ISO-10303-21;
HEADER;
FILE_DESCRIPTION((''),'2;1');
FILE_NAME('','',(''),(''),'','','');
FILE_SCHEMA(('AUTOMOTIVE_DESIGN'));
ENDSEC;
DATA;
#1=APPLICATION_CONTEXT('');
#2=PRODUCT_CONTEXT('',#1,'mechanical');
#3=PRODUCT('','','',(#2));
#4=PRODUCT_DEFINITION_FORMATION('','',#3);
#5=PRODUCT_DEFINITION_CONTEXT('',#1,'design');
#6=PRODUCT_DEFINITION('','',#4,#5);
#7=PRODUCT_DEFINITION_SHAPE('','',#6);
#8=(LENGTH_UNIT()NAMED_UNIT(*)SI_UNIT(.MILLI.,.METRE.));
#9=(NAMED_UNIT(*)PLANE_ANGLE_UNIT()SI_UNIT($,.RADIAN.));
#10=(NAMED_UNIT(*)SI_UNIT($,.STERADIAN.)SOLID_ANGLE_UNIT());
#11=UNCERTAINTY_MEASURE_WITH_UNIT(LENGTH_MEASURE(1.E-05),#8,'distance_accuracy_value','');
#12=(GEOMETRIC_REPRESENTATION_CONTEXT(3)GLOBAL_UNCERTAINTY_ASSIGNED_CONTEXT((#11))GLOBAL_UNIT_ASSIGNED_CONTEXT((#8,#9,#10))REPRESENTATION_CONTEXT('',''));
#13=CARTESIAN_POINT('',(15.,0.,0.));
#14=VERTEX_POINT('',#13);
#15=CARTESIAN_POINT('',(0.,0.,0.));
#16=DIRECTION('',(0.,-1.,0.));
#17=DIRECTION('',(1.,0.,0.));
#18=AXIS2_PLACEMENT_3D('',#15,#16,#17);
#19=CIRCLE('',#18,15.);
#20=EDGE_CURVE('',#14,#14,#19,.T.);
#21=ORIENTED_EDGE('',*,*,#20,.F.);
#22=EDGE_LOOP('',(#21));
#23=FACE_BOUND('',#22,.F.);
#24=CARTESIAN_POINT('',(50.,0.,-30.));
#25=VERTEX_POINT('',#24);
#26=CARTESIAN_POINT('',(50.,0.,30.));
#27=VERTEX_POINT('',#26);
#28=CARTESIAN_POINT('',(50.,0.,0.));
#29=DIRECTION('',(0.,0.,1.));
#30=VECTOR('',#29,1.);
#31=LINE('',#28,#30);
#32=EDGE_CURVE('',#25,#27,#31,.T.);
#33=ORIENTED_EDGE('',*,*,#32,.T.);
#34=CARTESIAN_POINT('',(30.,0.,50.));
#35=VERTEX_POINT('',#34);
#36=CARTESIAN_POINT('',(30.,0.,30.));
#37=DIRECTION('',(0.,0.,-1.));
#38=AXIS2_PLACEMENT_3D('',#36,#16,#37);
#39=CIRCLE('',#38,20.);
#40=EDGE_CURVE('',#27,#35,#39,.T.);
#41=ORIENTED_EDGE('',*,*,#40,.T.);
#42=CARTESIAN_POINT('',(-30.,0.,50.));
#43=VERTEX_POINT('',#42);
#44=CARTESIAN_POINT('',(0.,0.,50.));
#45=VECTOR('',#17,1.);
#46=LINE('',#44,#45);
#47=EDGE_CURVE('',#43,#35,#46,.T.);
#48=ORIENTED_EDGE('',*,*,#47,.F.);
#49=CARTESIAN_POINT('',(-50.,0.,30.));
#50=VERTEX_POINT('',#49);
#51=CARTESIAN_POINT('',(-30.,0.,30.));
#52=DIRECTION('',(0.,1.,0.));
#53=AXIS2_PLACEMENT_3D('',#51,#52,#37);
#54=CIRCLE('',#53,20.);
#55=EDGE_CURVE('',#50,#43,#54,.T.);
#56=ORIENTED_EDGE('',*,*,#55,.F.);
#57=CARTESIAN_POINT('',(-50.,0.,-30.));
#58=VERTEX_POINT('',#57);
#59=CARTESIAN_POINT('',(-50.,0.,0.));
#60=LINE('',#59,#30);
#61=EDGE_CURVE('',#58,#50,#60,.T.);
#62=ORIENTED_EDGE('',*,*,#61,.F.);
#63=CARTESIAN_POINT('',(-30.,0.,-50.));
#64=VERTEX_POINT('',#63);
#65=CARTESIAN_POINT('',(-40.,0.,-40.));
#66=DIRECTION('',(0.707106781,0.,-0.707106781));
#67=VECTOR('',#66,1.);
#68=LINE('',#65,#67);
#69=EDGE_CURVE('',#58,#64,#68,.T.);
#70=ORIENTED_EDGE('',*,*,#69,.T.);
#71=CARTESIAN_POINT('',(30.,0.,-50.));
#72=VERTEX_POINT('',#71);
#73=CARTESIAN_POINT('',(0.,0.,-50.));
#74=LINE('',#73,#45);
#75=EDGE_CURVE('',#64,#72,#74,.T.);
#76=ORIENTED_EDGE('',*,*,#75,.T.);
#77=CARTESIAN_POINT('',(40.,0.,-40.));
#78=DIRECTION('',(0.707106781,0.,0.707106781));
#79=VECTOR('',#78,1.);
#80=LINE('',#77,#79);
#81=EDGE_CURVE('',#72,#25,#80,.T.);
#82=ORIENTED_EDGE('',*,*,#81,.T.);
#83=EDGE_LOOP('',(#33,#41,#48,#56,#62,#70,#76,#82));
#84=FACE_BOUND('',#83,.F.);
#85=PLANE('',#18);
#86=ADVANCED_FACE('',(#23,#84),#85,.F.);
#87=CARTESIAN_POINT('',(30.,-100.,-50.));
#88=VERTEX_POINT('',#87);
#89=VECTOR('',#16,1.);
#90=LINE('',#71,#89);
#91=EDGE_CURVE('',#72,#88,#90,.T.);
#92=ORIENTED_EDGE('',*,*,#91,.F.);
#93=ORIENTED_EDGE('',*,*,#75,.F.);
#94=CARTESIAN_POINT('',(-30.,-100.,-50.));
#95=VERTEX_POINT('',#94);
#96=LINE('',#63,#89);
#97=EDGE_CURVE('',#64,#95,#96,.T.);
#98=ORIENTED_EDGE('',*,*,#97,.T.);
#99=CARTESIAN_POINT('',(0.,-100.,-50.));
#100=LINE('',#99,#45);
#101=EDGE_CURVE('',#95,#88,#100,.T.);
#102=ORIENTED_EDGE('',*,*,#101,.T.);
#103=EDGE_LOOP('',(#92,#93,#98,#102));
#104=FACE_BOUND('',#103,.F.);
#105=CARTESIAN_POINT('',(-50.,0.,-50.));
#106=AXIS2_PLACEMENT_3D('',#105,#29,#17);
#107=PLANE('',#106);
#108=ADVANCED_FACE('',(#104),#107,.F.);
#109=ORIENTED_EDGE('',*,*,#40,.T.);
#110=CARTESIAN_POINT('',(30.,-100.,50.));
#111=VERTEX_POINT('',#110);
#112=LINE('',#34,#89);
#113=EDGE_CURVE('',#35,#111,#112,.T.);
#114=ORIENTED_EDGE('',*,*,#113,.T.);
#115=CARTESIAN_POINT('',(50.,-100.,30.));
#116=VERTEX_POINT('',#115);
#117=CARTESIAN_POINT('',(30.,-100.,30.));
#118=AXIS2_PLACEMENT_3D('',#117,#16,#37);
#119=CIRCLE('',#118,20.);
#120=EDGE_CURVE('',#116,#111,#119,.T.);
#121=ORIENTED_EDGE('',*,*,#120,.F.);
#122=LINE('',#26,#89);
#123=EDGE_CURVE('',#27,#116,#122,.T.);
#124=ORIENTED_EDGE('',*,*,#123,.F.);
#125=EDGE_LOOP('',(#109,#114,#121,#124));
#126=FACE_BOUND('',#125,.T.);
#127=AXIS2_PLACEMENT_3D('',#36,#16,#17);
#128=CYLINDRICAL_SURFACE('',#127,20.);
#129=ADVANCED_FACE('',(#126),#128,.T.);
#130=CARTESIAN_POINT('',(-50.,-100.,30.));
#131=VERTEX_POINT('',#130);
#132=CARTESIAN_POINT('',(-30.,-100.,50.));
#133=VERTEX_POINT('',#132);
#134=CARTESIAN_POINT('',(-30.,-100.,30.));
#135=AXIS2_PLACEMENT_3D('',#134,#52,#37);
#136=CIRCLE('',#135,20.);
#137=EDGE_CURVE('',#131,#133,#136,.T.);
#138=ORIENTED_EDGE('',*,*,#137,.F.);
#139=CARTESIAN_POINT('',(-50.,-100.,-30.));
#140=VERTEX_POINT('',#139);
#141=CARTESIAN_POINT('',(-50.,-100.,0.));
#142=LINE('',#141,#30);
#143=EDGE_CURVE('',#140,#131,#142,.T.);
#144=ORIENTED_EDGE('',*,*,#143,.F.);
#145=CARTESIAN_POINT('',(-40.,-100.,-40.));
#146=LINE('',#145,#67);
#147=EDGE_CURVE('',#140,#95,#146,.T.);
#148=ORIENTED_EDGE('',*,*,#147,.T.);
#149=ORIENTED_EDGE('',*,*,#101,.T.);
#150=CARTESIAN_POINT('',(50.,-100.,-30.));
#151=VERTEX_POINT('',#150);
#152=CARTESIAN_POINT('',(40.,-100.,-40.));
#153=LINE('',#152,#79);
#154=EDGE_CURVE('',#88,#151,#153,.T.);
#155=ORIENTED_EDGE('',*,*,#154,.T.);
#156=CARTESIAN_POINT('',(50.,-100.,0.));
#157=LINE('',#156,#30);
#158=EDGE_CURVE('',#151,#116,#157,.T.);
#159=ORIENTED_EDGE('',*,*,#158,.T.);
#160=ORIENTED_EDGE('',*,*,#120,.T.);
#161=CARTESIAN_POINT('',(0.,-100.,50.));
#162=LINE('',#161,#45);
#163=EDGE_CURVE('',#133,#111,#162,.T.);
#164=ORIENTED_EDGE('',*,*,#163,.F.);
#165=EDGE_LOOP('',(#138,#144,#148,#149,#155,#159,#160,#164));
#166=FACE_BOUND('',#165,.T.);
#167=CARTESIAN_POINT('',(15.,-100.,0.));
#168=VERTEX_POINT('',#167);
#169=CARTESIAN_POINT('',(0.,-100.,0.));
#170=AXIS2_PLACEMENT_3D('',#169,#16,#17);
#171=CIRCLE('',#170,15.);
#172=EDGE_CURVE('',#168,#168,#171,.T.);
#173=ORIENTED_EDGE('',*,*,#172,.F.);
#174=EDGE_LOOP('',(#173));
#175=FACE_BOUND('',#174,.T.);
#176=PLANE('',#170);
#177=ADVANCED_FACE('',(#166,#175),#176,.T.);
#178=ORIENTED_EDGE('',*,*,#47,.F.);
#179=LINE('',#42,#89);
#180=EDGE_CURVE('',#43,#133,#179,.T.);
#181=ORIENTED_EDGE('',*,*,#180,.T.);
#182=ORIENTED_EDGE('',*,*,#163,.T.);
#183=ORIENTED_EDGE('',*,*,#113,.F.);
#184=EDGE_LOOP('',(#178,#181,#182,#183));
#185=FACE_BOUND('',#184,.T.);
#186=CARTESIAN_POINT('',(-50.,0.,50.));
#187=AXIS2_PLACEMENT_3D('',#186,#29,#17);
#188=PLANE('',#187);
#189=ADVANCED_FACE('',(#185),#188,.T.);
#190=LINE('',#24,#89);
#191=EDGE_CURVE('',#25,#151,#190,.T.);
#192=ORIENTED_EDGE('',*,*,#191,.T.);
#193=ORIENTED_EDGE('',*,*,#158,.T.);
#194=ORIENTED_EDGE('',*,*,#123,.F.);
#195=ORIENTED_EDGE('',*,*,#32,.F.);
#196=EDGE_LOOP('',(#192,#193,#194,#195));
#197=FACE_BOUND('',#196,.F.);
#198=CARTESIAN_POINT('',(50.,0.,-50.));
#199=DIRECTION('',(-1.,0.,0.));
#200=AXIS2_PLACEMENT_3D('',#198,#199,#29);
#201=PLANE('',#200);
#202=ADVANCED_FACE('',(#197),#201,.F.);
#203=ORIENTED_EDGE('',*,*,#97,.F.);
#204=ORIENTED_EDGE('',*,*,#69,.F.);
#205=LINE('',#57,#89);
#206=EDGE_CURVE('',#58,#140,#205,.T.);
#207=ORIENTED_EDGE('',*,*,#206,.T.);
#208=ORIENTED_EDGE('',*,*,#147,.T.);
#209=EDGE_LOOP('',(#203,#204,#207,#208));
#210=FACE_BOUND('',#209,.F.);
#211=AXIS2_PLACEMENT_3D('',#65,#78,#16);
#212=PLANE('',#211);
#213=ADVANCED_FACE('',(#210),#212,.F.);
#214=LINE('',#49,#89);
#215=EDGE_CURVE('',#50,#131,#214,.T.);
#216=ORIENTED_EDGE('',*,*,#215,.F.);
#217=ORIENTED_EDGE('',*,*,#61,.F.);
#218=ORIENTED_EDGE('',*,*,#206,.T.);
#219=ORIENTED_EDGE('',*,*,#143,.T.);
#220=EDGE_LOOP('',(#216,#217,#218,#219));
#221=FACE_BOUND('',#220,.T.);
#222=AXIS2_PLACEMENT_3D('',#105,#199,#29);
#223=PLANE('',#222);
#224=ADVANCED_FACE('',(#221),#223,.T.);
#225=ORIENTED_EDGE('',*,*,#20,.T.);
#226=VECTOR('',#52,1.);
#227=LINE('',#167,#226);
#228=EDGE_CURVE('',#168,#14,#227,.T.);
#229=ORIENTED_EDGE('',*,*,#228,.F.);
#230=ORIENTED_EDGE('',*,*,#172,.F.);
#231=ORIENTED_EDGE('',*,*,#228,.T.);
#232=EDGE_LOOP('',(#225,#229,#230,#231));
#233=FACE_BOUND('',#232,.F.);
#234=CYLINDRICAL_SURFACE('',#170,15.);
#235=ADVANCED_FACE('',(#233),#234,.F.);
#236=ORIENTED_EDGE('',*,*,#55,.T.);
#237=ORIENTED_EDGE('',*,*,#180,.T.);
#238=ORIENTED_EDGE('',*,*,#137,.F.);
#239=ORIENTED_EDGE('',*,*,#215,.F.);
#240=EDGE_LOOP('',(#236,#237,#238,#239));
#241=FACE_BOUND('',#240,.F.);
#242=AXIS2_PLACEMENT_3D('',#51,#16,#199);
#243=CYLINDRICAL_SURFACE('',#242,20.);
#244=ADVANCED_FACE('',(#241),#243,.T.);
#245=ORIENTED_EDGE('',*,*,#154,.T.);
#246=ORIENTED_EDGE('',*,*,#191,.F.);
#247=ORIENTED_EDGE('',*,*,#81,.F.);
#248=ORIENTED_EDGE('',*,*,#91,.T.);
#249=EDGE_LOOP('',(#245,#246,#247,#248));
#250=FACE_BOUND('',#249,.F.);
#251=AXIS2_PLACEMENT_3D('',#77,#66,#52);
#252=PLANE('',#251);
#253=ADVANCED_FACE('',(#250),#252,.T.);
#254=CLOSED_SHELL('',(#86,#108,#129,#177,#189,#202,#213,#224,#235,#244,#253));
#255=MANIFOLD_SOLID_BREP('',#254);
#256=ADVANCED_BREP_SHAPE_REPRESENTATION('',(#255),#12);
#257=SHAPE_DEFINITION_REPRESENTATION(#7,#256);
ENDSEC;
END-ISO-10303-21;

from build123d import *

# Parameters (mm, degrees)
F0_W     = 100
F0_H     = 100
F1_DEPTH = 100
F2_R     = 20
F3_SIZE  = 20
F4_R     = 15
F5_DEPTH = 100.001


with BuildPart() as f1:
    # F0 (on Front) → F1 (new body)
    with BuildSketch(Plane.XZ):
        Rectangle(F0_W, F0_H)
    extrude(amount=F1_DEPTH)

    # F2
    f2_edges = [f1.edges().sort_by_distance(p)[0] for p in [
        (-50, -50, 50),
        (50, -50, 50),
    ]]
    fillet(f2_edges, radius=F2_R)

    # F3
    f3_edges = [f1.edges().sort_by_distance(p)[0] for p in [
        (50, -50, -50),
        (-50, -50, -50),
    ]]
    chamfer(f3_edges, length=F3_SIZE)

    # F4 (on face) → F5 (cut, through all)
    with BuildSketch(Plane.XZ.offset(100)):
        Circle(F4_R)
    extrude(amount=-F5_DEPTH, mode=Mode.SUBTRACT)


solid = f1.part
